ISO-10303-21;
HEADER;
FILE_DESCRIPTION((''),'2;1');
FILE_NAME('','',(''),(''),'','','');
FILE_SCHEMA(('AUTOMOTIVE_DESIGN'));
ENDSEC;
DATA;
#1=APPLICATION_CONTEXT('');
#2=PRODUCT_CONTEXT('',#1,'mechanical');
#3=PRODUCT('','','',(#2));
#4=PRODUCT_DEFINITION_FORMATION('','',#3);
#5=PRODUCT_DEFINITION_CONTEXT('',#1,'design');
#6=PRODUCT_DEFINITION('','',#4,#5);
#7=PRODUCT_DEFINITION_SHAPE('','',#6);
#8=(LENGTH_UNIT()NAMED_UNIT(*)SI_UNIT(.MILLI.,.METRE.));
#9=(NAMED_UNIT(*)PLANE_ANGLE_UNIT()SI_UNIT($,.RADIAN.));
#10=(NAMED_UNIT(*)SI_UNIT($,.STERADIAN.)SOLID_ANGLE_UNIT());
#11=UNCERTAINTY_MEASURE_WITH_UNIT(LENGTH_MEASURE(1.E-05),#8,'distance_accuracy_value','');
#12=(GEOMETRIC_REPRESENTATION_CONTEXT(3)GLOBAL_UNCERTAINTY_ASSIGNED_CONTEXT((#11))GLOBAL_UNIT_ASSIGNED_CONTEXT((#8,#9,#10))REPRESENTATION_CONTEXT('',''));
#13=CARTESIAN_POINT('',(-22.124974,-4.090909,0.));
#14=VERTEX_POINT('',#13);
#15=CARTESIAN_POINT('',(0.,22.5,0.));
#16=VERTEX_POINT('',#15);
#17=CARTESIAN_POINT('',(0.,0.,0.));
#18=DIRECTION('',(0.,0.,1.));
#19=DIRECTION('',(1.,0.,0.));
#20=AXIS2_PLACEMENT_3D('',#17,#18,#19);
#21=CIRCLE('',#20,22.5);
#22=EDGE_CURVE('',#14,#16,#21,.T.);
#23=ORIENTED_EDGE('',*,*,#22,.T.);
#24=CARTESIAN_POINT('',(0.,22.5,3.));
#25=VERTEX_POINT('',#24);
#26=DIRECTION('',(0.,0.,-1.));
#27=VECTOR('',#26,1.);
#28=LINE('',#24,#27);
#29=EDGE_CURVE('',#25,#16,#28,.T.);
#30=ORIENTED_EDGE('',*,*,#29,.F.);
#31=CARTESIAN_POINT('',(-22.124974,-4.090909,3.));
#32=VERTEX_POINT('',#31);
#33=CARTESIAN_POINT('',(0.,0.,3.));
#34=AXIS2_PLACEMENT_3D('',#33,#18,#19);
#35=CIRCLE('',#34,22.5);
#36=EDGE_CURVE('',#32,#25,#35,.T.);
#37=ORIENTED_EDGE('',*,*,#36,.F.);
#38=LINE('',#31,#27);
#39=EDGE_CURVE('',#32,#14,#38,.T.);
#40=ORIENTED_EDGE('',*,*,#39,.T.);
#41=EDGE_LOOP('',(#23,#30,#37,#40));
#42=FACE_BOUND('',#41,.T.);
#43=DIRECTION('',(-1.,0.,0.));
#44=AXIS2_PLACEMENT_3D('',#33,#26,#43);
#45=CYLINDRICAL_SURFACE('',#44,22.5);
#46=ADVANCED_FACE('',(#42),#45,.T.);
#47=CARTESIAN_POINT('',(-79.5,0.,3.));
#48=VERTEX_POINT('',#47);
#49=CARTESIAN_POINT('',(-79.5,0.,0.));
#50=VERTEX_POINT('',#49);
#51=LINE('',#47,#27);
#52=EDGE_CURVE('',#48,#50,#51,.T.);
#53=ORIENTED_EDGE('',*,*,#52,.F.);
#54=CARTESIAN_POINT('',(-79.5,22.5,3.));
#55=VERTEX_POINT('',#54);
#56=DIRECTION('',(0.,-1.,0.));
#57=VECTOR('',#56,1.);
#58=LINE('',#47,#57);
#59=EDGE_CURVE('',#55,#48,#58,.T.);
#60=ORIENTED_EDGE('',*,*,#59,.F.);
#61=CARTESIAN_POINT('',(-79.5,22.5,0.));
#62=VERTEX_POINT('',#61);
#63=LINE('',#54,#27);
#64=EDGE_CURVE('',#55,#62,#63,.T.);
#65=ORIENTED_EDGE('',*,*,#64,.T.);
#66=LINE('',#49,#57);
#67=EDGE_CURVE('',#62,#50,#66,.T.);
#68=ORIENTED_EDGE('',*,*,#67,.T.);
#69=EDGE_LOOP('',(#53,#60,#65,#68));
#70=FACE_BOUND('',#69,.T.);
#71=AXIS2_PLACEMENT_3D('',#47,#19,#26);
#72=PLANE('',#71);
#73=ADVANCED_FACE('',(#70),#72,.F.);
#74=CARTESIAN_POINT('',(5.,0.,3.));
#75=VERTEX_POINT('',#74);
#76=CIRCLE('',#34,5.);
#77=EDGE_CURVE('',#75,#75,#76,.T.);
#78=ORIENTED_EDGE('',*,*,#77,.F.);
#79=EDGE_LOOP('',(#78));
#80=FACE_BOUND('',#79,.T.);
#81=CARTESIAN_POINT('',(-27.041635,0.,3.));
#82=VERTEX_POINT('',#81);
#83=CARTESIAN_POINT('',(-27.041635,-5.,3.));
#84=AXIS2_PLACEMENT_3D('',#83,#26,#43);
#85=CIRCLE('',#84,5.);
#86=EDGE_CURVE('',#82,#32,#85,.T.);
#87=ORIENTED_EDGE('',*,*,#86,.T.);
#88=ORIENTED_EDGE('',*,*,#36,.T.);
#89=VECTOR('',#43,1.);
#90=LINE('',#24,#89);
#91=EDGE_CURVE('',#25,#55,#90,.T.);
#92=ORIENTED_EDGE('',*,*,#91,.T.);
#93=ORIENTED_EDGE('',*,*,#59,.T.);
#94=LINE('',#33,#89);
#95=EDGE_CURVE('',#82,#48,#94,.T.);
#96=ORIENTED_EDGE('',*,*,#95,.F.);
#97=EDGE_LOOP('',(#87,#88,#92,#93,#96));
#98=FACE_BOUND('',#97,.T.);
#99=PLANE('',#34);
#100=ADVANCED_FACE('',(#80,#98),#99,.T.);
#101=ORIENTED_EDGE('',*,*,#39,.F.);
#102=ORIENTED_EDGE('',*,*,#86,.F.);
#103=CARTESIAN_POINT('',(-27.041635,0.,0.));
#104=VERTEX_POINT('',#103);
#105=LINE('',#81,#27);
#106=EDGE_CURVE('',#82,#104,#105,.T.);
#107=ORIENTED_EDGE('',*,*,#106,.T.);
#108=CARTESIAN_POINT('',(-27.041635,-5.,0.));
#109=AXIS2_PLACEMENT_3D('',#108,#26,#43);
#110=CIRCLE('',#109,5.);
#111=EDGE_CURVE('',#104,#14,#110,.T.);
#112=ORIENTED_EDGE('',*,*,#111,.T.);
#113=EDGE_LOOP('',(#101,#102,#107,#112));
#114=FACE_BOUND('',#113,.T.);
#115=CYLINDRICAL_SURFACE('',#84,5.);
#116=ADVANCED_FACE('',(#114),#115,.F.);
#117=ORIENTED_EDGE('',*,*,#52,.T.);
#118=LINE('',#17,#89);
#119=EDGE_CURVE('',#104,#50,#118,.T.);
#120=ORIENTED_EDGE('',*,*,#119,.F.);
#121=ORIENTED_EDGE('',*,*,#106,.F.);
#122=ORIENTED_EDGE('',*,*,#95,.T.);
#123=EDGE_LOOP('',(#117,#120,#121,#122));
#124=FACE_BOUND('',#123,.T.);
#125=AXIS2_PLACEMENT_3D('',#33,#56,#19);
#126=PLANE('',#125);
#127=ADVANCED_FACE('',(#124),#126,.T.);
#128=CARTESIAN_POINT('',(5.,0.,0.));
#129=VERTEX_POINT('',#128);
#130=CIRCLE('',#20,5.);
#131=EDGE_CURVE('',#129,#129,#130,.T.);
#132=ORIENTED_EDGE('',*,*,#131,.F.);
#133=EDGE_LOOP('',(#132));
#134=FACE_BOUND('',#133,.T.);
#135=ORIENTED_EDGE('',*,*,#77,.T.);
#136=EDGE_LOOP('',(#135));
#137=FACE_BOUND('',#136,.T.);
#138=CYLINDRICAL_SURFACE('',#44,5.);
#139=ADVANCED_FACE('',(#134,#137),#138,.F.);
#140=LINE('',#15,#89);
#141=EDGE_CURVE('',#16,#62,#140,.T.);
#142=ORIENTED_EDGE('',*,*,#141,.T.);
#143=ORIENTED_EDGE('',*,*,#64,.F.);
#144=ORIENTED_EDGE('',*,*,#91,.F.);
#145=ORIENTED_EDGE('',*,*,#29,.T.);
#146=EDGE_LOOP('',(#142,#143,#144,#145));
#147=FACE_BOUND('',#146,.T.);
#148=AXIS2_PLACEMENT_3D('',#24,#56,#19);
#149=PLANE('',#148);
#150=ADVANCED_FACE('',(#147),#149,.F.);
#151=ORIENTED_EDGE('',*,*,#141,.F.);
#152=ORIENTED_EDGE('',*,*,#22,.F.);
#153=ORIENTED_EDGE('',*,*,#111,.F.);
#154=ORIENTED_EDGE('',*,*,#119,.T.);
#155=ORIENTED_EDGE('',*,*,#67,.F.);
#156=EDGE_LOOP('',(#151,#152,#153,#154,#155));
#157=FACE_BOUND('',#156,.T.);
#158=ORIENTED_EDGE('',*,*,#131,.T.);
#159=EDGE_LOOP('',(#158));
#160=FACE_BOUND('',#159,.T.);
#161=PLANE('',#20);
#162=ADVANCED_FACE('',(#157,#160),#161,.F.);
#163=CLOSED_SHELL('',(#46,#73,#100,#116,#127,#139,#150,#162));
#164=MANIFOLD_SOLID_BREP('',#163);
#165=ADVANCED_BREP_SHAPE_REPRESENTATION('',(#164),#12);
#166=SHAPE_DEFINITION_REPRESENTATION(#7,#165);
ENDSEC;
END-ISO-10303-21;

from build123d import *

# Parameters (mm, degrees)
SKETCH1_R           = 5
BOSS_EXTRUDE2_DEPTH = 3


with BuildPart() as part:
    # Sketch1 → Boss-Extrude2 (new body)
    # profile 1 of 6: a face of its own
    with BuildSketch(Plane.XY):
        with BuildLine():
            ThreePointArc((22.5, 0), (15.909902577, 15.909902577), (0, 22.5))
            Line((0, 22.5), (-22.5, 0))
            Line((-22.5, 0), (-22.124973736, -4.090909091))
            ThreePointArc((-22.124973736, -4.090909091), (2.054031517, -22.406047276), (22.5, 0))
        make_face()
        Circle(SKETCH1_R, mode=Mode.SUBTRACT)
    # profile 2 of 6: a face of its own
    with BuildSketch(Plane.XY):
        with BuildLine():
            ThreePointArc((-22.5, 0), (-15.909902577, 15.909902577), (0, 22.5))
            Line((0, 22.5), (-22.5, 22.5))
            Line((-22.5, 22.5), (-22.5, 0))
        make_face()
    # profile 3 of 6: a face of its own
    with BuildSketch(Plane.XY):
        with BuildLine():
            Line((-22.5, 0), (0, 22.5))
            ThreePointArc((0, 22.5), (-15.909902577, 15.909902577), (-22.5, 0))
        make_face()
    # profile 4 of 6: a face of its own
    with BuildSketch(Plane.XY):
        Polygon((-27.041634566, 0), (-22.5, 0), (-22.5, 22.5), (-79.5, 22.5), (-79.5, 0), align=None)
    # profile 5 of 6: a face of its own
    with BuildSketch(Plane.XY):
        with BuildLine():
            ThreePointArc((-22.124973736, -4.090909091), (-22.406047276, -2.054031517), (-22.5, 0))
            Line((-22.5, 0), (-27.041634566, 0))
            ThreePointArc((-27.041634566, 0), (-23.843623821, -1.156469426), (-22.124973736, -4.090909091))
        make_face()
    # profile 6 of 6: a face of its own
    with BuildSketch(Plane.XY):
        with BuildLine():
            Line((-22.124973736, -4.090909091), (-22.5, 0))
            ThreePointArc((-22.5, 0), (-22.406047276, -2.054031517), (-22.124973736, -4.090909091))
        make_face()
    extrude(amount=BOSS_EXTRUDE2_DEPTH)


solid = part.part
